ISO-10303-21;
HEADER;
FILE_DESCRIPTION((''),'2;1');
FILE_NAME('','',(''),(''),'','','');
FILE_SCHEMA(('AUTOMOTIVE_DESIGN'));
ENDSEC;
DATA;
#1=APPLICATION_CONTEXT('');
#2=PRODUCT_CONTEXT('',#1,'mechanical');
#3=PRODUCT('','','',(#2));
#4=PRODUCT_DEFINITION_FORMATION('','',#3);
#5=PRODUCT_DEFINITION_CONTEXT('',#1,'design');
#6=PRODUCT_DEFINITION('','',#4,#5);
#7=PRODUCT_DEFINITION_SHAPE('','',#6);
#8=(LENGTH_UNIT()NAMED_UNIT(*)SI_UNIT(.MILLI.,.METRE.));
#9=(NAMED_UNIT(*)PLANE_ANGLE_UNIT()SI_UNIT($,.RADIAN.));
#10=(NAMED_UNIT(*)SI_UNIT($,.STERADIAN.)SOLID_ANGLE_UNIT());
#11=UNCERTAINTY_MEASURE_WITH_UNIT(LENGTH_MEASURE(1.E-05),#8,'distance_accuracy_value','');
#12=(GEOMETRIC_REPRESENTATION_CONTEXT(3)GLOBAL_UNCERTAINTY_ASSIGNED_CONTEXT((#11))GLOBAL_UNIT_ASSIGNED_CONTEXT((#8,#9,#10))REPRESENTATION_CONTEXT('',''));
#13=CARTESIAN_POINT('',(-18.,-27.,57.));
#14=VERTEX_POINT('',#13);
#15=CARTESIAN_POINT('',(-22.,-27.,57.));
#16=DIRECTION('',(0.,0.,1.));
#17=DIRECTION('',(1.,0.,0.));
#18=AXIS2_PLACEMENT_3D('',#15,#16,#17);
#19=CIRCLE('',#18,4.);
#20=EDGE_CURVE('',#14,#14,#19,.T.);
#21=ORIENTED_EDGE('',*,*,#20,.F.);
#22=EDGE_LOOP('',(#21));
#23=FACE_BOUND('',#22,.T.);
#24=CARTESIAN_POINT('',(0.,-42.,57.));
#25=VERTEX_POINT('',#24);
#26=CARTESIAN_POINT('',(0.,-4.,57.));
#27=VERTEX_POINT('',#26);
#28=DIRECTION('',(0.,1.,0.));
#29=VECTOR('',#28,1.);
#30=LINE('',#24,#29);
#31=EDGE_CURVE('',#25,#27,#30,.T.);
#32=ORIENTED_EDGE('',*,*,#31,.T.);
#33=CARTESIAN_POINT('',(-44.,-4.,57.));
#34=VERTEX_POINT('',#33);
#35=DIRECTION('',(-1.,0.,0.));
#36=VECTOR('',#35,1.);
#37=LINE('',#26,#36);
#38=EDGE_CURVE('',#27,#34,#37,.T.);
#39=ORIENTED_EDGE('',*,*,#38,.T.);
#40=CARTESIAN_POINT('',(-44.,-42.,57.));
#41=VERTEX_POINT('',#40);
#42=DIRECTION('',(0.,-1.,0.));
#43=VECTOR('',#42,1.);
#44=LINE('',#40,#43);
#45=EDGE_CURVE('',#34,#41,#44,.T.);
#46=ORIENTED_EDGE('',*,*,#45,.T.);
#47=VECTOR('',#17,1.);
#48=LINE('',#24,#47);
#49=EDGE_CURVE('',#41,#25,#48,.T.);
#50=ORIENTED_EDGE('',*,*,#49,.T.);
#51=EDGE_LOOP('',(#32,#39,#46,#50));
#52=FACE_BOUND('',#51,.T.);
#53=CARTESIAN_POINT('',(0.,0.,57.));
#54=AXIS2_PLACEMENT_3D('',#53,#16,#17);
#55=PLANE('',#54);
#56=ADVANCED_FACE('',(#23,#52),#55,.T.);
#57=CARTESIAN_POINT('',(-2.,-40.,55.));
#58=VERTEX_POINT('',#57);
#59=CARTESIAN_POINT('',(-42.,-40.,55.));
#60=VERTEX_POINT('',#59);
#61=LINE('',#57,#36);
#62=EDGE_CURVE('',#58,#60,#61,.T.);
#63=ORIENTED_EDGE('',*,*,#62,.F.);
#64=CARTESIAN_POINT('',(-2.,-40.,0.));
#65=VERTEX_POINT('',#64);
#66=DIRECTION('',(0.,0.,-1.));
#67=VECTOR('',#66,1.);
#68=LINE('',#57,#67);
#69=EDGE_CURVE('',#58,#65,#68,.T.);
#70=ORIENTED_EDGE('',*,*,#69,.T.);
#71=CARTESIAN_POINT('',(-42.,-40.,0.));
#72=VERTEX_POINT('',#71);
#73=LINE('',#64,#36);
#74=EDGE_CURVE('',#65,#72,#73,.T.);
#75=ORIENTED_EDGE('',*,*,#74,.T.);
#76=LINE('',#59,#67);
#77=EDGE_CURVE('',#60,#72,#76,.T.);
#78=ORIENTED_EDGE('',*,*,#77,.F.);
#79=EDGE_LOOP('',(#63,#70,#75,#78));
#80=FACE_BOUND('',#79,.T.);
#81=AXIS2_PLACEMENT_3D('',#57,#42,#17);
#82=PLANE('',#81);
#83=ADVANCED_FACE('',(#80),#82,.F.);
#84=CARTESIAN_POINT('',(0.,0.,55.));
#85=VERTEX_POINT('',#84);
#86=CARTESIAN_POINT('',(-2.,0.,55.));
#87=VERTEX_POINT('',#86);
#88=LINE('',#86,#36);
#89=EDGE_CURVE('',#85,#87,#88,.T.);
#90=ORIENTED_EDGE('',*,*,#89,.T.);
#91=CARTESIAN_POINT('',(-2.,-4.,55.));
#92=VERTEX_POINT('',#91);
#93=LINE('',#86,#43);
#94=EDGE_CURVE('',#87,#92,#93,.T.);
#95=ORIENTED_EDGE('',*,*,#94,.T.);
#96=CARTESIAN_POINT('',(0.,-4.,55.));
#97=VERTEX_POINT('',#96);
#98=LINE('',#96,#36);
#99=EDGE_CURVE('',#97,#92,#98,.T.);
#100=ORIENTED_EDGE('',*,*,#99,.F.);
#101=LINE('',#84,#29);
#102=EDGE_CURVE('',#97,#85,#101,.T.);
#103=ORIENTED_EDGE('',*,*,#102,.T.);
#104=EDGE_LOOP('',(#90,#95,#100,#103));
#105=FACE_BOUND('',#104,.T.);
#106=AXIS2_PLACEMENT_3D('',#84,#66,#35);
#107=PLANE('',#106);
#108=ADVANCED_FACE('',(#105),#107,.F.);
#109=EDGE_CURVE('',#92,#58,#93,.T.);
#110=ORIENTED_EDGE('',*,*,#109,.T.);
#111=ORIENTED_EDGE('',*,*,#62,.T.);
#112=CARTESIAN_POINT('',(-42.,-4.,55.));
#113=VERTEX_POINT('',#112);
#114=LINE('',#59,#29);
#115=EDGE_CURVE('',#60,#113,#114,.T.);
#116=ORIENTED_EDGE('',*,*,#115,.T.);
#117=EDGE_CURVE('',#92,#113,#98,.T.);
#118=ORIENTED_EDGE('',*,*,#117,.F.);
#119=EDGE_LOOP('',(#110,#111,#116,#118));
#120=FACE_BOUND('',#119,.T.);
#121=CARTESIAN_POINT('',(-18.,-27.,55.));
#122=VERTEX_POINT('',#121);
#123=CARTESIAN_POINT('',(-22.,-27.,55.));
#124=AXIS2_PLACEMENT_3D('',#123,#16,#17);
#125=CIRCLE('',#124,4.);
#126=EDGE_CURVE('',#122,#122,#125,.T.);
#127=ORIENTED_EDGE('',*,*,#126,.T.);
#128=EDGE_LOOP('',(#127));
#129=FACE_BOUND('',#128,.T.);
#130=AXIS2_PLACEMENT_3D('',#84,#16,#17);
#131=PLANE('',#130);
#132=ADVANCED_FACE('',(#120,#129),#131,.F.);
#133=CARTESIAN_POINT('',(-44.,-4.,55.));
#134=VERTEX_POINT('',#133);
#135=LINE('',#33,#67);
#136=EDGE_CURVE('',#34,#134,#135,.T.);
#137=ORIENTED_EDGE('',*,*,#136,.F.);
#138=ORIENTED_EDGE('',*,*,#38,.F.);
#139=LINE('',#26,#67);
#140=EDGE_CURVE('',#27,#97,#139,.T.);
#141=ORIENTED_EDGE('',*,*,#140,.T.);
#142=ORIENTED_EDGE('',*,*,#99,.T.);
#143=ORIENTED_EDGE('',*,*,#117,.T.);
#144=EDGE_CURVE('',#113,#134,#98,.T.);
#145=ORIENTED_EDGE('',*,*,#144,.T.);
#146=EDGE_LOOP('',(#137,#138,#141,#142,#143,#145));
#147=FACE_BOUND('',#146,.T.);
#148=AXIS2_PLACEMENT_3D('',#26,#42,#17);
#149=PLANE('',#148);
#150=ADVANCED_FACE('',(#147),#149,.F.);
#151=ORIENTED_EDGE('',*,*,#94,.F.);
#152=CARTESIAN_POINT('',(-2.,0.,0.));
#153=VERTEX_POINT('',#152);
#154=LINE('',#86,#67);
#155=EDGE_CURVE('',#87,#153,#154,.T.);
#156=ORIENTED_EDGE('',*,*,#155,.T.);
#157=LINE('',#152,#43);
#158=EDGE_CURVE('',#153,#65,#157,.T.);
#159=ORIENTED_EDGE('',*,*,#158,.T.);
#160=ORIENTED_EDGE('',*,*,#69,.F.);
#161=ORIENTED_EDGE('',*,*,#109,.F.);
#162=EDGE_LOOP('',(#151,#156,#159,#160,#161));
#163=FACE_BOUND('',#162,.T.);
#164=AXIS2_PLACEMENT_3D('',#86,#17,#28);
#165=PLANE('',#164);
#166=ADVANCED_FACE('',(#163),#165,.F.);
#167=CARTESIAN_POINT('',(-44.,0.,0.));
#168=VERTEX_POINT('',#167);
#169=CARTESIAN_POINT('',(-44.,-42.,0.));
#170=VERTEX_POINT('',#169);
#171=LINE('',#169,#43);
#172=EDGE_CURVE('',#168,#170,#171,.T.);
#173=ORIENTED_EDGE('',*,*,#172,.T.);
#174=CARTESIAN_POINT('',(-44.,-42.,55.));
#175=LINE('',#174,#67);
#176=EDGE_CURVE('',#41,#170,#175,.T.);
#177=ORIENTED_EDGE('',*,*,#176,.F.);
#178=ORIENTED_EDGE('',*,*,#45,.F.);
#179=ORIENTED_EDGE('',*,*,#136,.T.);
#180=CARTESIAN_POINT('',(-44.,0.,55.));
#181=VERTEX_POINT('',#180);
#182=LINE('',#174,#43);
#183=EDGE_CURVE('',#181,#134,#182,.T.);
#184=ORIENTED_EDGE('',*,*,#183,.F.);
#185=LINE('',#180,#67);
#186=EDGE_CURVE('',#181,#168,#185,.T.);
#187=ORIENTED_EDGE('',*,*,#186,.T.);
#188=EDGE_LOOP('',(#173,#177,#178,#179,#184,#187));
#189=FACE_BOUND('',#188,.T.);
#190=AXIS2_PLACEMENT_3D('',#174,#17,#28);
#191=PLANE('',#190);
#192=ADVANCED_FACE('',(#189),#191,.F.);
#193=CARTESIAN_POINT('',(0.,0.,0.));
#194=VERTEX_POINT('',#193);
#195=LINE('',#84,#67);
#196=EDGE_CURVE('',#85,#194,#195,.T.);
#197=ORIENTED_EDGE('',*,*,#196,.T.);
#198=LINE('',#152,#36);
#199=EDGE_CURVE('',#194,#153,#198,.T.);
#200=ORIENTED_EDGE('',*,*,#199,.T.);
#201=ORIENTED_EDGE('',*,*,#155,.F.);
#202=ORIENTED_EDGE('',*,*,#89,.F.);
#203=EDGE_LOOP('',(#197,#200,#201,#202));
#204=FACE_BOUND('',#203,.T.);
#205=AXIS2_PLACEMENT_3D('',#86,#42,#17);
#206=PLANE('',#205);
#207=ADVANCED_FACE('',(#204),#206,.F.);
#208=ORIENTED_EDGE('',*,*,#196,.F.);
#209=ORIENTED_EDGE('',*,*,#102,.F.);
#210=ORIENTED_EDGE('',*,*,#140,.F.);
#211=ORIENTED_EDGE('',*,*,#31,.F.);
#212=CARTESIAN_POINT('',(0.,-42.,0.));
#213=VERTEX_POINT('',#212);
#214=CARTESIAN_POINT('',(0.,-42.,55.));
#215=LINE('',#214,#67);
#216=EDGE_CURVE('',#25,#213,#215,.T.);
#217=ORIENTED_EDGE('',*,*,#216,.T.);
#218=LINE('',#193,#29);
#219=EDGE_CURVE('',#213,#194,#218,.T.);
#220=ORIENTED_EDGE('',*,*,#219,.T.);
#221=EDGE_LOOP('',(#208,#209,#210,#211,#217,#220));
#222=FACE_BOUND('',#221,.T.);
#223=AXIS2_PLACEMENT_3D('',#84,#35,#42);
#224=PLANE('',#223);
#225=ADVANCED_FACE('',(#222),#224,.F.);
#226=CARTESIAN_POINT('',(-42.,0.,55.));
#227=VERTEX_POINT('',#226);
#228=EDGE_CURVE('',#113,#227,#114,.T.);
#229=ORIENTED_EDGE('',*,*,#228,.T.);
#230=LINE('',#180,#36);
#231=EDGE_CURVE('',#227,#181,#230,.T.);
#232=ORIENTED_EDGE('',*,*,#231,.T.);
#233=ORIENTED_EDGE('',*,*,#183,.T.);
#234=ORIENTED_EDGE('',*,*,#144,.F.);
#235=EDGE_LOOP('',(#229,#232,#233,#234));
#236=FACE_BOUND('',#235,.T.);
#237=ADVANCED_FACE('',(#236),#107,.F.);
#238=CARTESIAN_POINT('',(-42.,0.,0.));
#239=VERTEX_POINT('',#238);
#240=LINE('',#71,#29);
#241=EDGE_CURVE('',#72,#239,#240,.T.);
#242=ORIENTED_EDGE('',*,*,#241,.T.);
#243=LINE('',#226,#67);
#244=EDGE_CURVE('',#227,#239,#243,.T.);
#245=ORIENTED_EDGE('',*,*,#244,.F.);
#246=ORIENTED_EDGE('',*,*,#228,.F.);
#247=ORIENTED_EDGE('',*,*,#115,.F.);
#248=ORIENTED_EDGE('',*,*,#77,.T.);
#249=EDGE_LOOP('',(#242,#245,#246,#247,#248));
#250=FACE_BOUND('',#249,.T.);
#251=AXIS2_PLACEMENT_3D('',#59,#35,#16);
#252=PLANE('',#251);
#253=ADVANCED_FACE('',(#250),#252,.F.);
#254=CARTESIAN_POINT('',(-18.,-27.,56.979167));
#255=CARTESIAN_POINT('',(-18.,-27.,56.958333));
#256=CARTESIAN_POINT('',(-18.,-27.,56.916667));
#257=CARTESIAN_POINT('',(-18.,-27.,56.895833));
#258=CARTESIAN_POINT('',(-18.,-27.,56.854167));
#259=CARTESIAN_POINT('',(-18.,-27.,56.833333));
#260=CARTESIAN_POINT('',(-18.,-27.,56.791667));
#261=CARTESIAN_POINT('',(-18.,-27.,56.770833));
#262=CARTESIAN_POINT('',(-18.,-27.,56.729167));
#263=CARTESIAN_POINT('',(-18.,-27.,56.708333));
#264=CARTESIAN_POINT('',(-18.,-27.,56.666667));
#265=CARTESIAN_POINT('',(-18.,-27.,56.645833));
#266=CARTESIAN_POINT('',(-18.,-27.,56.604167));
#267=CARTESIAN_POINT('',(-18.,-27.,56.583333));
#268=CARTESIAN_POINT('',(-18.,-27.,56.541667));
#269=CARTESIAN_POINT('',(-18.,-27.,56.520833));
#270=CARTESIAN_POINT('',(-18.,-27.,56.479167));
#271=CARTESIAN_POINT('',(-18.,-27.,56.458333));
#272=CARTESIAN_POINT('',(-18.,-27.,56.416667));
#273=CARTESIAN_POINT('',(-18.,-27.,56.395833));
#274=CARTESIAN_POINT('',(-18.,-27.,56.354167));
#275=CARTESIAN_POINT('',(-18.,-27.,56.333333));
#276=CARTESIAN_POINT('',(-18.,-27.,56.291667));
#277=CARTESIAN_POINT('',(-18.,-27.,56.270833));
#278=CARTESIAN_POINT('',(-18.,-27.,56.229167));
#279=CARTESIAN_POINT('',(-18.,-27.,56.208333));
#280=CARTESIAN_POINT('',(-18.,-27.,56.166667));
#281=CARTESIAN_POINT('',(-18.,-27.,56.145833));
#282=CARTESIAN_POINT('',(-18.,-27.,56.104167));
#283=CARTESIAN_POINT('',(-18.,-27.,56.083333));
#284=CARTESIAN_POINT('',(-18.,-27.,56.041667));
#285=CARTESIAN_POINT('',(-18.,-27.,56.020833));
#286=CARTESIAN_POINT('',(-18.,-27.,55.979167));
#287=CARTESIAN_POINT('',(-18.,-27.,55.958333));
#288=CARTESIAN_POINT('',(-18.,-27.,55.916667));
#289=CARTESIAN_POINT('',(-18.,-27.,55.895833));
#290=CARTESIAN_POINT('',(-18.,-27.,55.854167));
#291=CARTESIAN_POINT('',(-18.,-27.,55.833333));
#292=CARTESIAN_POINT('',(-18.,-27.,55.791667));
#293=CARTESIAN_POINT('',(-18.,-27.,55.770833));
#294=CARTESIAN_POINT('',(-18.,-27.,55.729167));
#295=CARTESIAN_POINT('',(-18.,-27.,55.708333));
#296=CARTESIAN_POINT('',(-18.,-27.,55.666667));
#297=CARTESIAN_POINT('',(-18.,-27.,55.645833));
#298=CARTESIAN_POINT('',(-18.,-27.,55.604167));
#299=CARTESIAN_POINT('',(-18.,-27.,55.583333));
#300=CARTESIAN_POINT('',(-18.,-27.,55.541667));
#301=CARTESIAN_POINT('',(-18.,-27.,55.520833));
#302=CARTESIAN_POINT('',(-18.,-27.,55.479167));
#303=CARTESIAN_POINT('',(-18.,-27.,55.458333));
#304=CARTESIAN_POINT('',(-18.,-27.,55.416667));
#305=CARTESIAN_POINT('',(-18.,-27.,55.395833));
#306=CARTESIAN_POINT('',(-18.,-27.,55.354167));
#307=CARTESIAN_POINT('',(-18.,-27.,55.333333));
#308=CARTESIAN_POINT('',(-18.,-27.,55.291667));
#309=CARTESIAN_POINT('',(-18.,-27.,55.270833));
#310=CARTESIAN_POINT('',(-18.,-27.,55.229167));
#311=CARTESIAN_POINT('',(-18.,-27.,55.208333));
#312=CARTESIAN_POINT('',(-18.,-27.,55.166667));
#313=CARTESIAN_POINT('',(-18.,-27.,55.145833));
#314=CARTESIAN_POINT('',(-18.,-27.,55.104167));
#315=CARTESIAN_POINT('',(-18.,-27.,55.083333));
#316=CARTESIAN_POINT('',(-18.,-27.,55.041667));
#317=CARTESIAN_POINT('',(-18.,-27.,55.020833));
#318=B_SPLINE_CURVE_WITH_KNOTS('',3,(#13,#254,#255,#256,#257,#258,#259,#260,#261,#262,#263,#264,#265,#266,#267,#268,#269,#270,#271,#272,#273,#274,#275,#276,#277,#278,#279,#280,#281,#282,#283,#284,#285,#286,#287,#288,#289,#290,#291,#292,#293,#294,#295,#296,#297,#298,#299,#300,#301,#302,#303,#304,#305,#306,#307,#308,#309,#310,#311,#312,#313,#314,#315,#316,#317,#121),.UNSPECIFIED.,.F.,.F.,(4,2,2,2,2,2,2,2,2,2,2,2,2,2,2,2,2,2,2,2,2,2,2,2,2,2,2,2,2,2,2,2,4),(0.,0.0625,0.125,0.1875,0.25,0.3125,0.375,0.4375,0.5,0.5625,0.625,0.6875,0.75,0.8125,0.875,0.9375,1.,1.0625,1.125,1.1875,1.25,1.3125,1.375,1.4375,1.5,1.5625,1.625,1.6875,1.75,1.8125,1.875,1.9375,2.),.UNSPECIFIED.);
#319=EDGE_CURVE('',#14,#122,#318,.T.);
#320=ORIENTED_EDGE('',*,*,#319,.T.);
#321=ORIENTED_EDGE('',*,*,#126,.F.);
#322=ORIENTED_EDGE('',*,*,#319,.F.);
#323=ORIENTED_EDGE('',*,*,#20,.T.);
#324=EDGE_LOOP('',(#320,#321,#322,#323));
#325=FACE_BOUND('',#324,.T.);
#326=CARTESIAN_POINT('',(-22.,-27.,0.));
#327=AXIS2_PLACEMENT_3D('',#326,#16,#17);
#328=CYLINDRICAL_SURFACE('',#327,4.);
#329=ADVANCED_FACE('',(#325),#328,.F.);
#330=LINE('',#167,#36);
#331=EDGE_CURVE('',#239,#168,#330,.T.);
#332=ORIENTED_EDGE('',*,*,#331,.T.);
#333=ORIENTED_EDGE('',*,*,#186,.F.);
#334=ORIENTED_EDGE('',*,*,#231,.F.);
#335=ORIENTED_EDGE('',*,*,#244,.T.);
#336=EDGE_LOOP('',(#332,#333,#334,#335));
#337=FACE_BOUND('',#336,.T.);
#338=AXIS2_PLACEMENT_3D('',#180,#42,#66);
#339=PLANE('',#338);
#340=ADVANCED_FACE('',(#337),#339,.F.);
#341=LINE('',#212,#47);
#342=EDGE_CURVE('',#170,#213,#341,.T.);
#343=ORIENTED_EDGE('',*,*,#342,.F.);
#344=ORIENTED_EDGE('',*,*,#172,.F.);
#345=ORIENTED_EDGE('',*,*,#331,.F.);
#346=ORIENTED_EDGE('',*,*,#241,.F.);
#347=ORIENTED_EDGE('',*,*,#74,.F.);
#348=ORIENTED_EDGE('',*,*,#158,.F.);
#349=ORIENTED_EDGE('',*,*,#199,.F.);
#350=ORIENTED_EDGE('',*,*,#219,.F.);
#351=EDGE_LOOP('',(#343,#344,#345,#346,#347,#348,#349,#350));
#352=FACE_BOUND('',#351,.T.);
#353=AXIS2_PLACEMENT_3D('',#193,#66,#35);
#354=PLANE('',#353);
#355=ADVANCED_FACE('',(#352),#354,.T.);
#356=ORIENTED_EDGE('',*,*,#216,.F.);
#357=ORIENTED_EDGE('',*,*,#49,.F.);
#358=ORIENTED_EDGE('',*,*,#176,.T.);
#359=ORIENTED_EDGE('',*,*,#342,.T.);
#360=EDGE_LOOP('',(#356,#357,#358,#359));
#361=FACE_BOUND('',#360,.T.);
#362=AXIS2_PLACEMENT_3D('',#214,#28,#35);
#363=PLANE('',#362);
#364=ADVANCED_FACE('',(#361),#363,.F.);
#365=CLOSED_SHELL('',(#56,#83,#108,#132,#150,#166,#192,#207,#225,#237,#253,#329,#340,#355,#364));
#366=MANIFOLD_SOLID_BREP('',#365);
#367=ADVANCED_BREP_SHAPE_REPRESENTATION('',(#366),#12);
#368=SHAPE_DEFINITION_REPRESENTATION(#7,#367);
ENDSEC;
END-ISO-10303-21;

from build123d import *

# Parameters (mm, degrees)
BOSS_EXTRUDE1_DEPTH     = 55
SKETCH2_W               = 44
SKETCH2_H               = 38
BOSS_EXTRUDE2_DEPTH     = 2
CUT_EXTRUDE1_DEPTH      = 84.360662185
CUT_EXTRUDE1_DEPTH_BACK = 84.360662185
SKETCH3_R               = 4


with BuildPart() as part:
    # Sketch1 → Boss-Extrude1 (new body)
    with BuildSketch(Plane.XY):
        Polygon((0, 0), (0, -42), (-44, -42), (-44, 0), (-42, 0), (-42, -40), (-2, -40), (-2, 0), align=None)
    extrude(amount=BOSS_EXTRUDE1_DEPTH)

    # Sketch2 → Boss-Extrude2 (add)
    with BuildSketch(Plane.XY.offset(55)):
        with Locations((-22, -23)):
            Rectangle(SKETCH2_W, SKETCH2_H)
    extrude(amount=BOSS_EXTRUDE2_DEPTH)

    # Sketch3 → Cut-Extrude1 (cut, two sides: drawn at the far end of the back side and taken through both)
    with BuildSketch(Plane.XY.offset(57).offset(-CUT_EXTRUDE1_DEPTH_BACK)):
        with Locations((-22, -27)):
            Circle(SKETCH3_R)
    extrude(amount=CUT_EXTRUDE1_DEPTH + CUT_EXTRUDE1_DEPTH_BACK, mode=Mode.SUBTRACT)


solid = part.part
